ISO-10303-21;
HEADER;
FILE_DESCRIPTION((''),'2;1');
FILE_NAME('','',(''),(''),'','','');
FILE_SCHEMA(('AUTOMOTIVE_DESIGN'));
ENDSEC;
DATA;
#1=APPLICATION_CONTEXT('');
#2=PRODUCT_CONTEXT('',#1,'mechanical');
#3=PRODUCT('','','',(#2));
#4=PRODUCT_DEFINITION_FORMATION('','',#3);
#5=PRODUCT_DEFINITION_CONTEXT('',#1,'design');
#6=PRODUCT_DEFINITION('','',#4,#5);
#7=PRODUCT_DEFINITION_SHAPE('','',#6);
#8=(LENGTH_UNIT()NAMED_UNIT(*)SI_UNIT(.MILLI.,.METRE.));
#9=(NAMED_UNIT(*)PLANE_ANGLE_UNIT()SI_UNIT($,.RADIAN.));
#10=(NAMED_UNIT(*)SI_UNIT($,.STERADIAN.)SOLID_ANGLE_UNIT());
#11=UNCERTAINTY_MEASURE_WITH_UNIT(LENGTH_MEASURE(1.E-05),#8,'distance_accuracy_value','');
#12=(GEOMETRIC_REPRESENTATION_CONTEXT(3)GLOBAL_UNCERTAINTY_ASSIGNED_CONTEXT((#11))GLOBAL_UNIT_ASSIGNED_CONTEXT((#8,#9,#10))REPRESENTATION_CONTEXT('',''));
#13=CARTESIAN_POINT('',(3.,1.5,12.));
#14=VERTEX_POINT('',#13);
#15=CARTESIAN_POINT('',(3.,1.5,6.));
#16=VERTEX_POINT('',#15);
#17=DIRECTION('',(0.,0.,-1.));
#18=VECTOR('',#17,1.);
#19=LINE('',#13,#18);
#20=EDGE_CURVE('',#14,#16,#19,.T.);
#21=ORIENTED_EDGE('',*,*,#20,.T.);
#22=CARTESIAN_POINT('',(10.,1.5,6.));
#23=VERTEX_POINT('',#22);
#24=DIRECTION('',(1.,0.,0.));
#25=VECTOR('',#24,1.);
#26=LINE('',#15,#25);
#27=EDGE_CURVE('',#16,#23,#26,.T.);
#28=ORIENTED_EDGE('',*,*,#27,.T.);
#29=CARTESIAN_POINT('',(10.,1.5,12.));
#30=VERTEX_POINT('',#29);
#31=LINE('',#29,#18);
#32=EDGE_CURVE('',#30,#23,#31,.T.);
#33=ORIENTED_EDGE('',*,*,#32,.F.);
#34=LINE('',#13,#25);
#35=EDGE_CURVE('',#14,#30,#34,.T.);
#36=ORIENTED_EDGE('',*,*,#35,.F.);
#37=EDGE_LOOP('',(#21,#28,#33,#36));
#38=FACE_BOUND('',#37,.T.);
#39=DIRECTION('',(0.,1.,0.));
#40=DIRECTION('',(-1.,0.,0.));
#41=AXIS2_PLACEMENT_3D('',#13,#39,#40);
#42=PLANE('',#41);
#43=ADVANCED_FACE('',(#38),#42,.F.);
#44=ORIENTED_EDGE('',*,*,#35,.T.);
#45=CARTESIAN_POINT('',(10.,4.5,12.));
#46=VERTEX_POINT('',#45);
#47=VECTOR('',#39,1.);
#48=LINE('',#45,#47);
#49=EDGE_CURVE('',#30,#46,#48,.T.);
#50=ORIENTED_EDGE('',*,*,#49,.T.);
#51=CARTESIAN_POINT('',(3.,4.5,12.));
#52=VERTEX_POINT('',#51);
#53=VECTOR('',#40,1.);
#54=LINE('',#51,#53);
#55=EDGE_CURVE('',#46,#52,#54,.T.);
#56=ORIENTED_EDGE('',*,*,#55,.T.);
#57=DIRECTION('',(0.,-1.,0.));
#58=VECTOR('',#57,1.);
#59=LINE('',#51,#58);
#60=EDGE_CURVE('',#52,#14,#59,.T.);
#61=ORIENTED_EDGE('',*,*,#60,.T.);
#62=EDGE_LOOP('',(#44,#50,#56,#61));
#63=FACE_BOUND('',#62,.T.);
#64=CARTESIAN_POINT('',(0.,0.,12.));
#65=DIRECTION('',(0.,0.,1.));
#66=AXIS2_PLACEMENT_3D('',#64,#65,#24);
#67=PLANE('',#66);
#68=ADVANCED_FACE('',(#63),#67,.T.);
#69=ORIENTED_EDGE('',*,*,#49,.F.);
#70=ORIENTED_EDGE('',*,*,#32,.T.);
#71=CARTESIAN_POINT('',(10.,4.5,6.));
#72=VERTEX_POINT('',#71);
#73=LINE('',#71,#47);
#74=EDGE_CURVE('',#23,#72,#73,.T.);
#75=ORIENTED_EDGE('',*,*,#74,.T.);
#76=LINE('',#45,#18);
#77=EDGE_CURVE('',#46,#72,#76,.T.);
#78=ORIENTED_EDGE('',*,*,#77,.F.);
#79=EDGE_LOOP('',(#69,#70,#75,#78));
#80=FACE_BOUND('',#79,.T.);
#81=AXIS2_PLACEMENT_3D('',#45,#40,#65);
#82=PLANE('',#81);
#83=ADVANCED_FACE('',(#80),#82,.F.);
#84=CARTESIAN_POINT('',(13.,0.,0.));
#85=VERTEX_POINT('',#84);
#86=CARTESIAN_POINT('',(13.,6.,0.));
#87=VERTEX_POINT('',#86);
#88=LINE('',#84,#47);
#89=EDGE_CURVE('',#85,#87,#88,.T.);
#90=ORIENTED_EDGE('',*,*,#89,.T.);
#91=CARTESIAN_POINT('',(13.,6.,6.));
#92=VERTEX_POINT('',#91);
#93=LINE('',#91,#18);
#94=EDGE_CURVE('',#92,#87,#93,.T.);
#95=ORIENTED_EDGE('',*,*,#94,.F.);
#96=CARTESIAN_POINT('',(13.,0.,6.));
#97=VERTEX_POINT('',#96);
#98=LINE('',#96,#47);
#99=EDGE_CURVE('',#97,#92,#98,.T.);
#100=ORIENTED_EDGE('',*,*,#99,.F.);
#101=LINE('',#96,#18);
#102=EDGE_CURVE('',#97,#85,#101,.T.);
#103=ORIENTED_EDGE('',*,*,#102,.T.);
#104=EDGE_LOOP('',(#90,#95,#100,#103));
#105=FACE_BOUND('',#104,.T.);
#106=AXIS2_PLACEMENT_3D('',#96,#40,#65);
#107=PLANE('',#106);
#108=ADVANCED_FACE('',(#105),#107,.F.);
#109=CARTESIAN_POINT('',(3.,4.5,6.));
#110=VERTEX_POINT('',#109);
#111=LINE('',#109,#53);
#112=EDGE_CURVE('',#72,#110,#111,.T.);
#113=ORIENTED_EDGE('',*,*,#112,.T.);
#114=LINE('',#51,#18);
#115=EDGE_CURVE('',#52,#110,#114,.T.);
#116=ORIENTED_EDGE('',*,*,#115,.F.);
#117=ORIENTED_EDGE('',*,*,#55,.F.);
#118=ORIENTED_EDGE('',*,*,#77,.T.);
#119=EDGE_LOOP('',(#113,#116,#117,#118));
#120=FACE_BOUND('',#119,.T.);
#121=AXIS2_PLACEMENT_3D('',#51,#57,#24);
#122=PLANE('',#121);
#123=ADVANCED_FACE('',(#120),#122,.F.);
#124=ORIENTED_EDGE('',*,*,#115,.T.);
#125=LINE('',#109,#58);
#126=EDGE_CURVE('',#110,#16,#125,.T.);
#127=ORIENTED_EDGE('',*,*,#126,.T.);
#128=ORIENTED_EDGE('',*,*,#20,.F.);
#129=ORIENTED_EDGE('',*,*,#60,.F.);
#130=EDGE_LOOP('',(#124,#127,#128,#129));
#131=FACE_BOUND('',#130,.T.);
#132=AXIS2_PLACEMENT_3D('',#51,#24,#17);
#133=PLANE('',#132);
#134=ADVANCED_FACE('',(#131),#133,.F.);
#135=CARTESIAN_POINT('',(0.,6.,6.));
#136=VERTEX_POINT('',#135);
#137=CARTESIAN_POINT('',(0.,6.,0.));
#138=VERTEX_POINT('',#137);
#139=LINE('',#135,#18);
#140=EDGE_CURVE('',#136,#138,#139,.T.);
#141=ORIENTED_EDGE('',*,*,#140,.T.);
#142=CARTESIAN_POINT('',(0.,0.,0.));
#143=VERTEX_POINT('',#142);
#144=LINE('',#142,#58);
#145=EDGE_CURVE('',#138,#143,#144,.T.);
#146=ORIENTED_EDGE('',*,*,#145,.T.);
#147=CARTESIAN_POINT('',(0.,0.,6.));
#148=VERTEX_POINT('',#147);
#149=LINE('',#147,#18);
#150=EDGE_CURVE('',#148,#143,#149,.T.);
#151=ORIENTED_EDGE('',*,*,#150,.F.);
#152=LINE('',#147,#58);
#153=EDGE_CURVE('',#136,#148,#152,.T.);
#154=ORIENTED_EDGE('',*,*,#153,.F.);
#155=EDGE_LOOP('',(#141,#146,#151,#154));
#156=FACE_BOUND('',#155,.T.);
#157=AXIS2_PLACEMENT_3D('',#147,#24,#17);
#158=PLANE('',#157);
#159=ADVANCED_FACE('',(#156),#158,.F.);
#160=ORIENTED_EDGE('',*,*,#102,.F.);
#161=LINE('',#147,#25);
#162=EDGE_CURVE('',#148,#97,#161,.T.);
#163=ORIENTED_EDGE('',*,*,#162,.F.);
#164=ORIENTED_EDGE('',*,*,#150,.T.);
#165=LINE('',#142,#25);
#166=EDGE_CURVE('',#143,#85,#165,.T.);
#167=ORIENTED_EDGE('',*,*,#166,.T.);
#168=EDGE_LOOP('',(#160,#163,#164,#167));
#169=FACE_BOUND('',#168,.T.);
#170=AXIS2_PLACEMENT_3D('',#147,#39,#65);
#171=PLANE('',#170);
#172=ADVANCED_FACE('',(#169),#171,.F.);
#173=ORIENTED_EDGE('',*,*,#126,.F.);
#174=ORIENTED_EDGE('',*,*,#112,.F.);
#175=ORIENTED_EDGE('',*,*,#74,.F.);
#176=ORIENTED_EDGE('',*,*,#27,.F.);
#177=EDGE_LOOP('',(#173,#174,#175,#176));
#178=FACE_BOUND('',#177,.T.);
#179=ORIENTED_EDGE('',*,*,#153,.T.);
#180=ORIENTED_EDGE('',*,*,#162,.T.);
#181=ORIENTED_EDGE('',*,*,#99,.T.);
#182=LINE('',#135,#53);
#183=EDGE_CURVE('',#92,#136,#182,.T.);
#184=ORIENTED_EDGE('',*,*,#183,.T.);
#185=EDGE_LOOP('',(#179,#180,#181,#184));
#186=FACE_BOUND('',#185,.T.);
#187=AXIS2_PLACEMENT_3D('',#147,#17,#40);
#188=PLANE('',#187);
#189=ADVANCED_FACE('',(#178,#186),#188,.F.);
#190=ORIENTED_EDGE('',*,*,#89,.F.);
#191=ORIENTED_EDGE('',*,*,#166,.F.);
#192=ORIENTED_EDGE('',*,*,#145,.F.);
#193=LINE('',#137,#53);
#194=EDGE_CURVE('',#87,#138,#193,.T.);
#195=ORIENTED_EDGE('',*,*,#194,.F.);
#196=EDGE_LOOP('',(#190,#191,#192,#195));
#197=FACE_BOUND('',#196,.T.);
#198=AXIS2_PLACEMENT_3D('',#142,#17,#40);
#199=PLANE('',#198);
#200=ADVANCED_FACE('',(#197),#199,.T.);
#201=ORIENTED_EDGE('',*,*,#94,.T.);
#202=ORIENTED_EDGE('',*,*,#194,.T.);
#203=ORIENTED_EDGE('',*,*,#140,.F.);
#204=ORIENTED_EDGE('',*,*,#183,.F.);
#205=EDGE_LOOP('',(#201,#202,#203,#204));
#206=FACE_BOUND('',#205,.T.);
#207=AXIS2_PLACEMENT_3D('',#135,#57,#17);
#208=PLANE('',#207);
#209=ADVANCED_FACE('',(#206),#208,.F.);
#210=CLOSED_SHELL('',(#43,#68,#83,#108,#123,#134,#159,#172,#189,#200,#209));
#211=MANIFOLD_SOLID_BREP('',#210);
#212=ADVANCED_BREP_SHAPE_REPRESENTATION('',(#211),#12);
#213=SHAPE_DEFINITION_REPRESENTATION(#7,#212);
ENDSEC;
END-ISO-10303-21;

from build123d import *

# Parameters (mm, degrees)
SKETCH1_W           = 13
SKETCH1_H           = 6
BOSS_EXTRUDE1_DEPTH = 6
SKETCH2_W           = 7
SKETCH2_H           = 3
BOSS_EXTRUDE2_DEPTH = 6


with BuildPart() as part:
    # Sketch1 → Boss-Extrude1 (new body)
    with BuildSketch(Plane.XY):
        with Locations((6.5, 3)):
            Rectangle(SKETCH1_W, SKETCH1_H)
    extrude(amount=BOSS_EXTRUDE1_DEPTH)

    # Sketch2 → Boss-Extrude2 (add)
    with BuildSketch(Plane.XY.offset(6)):
        with Locations((6.5, 3)):
            Rectangle(SKETCH2_W, SKETCH2_H)
    extrude(amount=BOSS_EXTRUDE2_DEPTH)


solid = part.part
